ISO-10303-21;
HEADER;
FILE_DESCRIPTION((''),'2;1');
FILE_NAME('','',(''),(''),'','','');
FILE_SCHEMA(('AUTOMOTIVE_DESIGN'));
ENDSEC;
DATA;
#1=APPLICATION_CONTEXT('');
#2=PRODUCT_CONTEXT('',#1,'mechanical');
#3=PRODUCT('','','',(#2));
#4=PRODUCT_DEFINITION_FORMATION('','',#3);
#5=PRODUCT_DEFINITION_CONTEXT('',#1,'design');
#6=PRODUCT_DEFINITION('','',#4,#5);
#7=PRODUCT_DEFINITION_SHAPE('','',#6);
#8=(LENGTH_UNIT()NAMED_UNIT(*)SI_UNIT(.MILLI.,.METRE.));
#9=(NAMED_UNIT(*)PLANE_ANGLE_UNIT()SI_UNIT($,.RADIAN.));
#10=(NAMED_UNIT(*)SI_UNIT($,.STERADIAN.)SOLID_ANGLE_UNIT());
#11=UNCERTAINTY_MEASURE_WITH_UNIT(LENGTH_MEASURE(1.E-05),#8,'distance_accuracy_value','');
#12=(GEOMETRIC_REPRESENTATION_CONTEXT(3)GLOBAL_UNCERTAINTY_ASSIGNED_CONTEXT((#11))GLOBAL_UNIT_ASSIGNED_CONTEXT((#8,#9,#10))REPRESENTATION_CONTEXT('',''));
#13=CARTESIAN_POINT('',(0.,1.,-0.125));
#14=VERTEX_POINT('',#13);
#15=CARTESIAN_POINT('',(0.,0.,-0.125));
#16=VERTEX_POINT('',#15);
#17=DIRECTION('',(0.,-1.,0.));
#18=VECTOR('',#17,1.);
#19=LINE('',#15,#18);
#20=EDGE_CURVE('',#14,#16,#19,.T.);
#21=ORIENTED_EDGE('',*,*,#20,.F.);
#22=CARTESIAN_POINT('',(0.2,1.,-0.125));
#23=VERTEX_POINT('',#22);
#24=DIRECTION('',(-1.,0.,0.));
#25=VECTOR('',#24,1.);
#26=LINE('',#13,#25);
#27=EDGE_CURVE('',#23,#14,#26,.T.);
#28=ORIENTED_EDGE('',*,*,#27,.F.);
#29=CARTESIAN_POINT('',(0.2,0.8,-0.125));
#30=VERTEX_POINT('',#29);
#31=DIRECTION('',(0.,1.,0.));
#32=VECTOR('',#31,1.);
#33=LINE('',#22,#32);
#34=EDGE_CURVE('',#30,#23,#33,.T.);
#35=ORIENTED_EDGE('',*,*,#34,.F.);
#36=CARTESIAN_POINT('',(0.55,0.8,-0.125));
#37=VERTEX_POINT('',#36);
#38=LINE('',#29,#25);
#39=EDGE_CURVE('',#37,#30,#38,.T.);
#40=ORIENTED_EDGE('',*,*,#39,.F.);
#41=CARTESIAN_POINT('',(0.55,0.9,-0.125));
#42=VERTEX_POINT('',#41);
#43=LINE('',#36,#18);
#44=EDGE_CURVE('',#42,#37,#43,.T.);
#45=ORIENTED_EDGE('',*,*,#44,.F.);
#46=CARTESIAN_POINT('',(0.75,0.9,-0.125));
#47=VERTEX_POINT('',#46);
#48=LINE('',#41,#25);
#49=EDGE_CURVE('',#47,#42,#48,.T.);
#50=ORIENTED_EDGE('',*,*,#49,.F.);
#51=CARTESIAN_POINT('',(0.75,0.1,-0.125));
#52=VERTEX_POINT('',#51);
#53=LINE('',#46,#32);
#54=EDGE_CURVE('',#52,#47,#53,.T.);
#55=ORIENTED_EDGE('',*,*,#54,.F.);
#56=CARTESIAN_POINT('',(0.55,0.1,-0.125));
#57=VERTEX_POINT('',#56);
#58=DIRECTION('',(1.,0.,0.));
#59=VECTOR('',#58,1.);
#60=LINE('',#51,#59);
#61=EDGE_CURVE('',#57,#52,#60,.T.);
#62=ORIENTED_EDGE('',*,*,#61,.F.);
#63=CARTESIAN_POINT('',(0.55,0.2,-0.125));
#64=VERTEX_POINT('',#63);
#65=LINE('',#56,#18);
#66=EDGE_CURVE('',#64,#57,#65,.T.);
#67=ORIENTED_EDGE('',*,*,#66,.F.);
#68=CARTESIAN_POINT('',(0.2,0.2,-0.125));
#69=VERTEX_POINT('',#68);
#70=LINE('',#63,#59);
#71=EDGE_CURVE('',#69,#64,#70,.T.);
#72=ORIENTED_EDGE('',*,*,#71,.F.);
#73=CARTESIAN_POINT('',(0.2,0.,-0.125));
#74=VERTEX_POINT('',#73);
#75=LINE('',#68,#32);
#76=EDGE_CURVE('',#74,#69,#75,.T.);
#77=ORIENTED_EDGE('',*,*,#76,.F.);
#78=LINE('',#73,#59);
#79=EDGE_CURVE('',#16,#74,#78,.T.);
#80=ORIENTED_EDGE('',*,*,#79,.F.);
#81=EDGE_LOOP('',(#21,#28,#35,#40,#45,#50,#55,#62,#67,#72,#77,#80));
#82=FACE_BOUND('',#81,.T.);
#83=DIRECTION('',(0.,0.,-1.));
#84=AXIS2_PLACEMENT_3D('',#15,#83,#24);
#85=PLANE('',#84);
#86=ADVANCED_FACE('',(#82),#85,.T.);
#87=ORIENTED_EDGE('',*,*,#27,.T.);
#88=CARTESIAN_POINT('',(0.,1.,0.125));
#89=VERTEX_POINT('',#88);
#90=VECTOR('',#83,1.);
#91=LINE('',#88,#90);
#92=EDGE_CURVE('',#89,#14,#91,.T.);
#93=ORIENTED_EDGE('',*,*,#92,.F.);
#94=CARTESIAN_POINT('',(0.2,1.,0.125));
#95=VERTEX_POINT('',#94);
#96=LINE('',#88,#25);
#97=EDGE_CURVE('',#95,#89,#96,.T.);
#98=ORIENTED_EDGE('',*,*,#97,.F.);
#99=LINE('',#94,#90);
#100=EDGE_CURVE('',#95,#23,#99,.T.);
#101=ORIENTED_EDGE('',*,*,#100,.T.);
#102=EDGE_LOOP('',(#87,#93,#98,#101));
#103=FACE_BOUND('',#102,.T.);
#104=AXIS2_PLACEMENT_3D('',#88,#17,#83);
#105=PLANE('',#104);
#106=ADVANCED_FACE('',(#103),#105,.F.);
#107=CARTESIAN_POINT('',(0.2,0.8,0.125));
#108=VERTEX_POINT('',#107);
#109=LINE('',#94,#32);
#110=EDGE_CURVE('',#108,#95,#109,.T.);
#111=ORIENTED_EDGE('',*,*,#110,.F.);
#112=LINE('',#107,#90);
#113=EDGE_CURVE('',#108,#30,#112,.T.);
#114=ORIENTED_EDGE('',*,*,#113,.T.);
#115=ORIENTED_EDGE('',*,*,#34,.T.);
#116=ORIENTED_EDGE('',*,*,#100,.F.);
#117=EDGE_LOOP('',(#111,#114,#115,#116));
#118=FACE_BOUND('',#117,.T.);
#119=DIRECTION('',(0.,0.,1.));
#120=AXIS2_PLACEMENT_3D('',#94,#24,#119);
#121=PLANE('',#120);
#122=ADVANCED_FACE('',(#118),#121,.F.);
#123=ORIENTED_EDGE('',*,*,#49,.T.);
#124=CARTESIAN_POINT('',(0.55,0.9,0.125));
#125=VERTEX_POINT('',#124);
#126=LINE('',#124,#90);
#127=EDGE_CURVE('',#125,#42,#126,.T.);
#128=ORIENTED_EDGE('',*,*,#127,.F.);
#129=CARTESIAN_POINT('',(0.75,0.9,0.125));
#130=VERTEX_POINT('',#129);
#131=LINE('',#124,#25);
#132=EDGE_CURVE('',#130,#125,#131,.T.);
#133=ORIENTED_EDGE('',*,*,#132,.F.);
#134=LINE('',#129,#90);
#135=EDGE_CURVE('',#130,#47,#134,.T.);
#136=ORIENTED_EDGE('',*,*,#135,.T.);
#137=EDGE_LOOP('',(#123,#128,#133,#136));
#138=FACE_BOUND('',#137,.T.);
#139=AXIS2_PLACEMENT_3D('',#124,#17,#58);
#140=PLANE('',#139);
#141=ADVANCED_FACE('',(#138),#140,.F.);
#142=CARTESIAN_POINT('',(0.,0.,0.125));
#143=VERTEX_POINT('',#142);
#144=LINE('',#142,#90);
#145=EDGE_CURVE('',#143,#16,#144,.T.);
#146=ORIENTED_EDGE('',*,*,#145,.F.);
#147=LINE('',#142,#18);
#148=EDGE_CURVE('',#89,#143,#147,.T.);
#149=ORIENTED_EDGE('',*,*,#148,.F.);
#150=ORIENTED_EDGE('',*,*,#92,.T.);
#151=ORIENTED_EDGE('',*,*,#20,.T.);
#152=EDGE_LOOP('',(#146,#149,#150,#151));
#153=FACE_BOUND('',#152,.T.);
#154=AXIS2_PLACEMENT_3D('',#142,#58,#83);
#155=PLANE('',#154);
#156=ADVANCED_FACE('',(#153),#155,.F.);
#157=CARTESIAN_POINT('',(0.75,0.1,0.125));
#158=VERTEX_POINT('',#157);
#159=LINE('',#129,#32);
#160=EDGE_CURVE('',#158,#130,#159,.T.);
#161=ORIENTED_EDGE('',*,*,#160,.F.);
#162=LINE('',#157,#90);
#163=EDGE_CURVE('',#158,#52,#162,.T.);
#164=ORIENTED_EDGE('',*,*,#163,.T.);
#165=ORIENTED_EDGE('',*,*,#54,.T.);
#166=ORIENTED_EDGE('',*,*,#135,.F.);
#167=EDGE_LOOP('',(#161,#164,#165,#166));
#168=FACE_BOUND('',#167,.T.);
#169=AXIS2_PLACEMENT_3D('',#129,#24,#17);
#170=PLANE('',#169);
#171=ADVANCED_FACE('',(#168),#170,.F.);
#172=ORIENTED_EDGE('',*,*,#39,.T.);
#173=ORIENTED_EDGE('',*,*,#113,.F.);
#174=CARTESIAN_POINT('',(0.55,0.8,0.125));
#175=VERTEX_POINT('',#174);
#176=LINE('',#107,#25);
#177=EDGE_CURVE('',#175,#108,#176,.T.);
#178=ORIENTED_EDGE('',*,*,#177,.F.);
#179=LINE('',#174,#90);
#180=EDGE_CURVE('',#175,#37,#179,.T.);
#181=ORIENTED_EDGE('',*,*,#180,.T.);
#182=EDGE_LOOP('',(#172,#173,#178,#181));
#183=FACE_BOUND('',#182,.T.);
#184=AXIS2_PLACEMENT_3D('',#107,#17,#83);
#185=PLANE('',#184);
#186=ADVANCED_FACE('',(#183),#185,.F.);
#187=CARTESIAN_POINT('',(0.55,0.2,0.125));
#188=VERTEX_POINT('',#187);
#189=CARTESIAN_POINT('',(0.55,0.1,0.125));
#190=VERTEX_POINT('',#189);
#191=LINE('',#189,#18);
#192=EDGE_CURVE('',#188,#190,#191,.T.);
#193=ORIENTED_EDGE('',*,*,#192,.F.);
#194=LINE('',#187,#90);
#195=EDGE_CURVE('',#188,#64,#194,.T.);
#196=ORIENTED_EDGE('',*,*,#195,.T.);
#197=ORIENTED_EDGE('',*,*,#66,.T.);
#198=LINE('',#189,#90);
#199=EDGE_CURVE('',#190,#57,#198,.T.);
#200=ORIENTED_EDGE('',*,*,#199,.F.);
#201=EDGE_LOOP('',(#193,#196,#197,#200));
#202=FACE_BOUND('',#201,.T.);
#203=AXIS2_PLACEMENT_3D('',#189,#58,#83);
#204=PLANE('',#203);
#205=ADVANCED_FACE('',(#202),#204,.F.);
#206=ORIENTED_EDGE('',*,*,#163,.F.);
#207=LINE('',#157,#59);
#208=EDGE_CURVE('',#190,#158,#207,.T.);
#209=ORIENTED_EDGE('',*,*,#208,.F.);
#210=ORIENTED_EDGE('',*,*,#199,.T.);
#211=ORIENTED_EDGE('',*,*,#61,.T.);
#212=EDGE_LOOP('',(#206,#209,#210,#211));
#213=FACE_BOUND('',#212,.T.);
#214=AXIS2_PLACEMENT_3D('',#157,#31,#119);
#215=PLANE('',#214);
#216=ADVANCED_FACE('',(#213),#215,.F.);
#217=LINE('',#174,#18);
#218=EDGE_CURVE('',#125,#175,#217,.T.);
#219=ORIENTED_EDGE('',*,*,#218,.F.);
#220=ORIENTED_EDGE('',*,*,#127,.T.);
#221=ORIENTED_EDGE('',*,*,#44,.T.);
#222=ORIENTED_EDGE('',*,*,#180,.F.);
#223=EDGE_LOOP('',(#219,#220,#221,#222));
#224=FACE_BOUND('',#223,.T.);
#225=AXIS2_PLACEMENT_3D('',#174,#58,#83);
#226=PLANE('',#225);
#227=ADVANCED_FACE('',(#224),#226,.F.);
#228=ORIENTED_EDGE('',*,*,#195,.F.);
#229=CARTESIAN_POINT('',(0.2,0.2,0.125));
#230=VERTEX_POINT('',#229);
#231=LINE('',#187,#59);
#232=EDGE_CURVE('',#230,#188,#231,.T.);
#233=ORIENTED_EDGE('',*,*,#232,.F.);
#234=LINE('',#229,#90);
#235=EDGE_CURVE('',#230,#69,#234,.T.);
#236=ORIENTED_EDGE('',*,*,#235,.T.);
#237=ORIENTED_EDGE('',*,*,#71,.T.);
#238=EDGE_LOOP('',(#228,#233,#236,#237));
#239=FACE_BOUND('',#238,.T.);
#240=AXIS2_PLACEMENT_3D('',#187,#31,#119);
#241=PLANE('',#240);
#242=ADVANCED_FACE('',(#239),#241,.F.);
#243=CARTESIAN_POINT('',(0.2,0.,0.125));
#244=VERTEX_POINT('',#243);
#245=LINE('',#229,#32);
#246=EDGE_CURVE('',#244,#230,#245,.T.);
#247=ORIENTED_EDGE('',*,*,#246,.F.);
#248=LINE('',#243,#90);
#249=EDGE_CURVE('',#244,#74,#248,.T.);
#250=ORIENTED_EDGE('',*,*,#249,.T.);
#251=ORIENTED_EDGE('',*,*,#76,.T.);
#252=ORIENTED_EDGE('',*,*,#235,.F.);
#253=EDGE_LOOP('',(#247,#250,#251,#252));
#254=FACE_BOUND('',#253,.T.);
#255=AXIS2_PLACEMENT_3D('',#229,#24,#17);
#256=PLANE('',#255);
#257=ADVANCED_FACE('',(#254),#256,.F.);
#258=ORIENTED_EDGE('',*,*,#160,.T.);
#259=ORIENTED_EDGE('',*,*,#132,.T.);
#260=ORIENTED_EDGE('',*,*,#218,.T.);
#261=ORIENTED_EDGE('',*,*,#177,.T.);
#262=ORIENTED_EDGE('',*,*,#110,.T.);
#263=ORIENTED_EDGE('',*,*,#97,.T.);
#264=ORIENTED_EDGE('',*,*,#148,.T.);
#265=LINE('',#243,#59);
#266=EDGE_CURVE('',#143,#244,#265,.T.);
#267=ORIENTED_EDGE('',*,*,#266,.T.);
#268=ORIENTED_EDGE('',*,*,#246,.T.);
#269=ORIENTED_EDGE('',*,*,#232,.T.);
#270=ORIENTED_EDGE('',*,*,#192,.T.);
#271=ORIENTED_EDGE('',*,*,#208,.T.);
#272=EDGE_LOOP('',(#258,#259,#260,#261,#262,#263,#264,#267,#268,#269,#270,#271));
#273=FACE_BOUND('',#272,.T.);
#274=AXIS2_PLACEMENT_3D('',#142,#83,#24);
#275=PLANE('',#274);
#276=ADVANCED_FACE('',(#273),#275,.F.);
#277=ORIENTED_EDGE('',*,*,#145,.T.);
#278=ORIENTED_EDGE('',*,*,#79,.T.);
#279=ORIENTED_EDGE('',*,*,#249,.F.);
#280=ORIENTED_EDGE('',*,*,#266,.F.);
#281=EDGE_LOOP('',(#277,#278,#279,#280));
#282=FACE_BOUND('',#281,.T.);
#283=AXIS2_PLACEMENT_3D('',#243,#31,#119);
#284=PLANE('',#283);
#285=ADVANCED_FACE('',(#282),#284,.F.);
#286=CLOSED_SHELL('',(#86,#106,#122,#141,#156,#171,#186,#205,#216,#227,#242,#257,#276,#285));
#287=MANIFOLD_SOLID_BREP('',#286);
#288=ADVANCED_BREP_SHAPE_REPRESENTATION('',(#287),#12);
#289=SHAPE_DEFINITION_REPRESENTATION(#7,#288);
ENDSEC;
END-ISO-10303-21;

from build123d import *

# Parameters (mm, degrees)
BOSS_EXTRUDE1_DEPTH = 0.125


with BuildPart() as part:
    # frame_outline → Boss-Extrude1 (new, symmetric)
    with BuildSketch(Plane.XY):
        Polygon((0, 0), (0, 1), (0.2, 1), (0.2, 0.8), (0.55, 0.8), (0.55, 0.9), (0.75, 0.9), (0.75, 0.1), (0.55, 0.1), (0.55, 0.2), (0.2, 0.2), (0.2, 0), align=None)
    extrude(amount=BOSS_EXTRUDE1_DEPTH, both=True)


solid = part.part
